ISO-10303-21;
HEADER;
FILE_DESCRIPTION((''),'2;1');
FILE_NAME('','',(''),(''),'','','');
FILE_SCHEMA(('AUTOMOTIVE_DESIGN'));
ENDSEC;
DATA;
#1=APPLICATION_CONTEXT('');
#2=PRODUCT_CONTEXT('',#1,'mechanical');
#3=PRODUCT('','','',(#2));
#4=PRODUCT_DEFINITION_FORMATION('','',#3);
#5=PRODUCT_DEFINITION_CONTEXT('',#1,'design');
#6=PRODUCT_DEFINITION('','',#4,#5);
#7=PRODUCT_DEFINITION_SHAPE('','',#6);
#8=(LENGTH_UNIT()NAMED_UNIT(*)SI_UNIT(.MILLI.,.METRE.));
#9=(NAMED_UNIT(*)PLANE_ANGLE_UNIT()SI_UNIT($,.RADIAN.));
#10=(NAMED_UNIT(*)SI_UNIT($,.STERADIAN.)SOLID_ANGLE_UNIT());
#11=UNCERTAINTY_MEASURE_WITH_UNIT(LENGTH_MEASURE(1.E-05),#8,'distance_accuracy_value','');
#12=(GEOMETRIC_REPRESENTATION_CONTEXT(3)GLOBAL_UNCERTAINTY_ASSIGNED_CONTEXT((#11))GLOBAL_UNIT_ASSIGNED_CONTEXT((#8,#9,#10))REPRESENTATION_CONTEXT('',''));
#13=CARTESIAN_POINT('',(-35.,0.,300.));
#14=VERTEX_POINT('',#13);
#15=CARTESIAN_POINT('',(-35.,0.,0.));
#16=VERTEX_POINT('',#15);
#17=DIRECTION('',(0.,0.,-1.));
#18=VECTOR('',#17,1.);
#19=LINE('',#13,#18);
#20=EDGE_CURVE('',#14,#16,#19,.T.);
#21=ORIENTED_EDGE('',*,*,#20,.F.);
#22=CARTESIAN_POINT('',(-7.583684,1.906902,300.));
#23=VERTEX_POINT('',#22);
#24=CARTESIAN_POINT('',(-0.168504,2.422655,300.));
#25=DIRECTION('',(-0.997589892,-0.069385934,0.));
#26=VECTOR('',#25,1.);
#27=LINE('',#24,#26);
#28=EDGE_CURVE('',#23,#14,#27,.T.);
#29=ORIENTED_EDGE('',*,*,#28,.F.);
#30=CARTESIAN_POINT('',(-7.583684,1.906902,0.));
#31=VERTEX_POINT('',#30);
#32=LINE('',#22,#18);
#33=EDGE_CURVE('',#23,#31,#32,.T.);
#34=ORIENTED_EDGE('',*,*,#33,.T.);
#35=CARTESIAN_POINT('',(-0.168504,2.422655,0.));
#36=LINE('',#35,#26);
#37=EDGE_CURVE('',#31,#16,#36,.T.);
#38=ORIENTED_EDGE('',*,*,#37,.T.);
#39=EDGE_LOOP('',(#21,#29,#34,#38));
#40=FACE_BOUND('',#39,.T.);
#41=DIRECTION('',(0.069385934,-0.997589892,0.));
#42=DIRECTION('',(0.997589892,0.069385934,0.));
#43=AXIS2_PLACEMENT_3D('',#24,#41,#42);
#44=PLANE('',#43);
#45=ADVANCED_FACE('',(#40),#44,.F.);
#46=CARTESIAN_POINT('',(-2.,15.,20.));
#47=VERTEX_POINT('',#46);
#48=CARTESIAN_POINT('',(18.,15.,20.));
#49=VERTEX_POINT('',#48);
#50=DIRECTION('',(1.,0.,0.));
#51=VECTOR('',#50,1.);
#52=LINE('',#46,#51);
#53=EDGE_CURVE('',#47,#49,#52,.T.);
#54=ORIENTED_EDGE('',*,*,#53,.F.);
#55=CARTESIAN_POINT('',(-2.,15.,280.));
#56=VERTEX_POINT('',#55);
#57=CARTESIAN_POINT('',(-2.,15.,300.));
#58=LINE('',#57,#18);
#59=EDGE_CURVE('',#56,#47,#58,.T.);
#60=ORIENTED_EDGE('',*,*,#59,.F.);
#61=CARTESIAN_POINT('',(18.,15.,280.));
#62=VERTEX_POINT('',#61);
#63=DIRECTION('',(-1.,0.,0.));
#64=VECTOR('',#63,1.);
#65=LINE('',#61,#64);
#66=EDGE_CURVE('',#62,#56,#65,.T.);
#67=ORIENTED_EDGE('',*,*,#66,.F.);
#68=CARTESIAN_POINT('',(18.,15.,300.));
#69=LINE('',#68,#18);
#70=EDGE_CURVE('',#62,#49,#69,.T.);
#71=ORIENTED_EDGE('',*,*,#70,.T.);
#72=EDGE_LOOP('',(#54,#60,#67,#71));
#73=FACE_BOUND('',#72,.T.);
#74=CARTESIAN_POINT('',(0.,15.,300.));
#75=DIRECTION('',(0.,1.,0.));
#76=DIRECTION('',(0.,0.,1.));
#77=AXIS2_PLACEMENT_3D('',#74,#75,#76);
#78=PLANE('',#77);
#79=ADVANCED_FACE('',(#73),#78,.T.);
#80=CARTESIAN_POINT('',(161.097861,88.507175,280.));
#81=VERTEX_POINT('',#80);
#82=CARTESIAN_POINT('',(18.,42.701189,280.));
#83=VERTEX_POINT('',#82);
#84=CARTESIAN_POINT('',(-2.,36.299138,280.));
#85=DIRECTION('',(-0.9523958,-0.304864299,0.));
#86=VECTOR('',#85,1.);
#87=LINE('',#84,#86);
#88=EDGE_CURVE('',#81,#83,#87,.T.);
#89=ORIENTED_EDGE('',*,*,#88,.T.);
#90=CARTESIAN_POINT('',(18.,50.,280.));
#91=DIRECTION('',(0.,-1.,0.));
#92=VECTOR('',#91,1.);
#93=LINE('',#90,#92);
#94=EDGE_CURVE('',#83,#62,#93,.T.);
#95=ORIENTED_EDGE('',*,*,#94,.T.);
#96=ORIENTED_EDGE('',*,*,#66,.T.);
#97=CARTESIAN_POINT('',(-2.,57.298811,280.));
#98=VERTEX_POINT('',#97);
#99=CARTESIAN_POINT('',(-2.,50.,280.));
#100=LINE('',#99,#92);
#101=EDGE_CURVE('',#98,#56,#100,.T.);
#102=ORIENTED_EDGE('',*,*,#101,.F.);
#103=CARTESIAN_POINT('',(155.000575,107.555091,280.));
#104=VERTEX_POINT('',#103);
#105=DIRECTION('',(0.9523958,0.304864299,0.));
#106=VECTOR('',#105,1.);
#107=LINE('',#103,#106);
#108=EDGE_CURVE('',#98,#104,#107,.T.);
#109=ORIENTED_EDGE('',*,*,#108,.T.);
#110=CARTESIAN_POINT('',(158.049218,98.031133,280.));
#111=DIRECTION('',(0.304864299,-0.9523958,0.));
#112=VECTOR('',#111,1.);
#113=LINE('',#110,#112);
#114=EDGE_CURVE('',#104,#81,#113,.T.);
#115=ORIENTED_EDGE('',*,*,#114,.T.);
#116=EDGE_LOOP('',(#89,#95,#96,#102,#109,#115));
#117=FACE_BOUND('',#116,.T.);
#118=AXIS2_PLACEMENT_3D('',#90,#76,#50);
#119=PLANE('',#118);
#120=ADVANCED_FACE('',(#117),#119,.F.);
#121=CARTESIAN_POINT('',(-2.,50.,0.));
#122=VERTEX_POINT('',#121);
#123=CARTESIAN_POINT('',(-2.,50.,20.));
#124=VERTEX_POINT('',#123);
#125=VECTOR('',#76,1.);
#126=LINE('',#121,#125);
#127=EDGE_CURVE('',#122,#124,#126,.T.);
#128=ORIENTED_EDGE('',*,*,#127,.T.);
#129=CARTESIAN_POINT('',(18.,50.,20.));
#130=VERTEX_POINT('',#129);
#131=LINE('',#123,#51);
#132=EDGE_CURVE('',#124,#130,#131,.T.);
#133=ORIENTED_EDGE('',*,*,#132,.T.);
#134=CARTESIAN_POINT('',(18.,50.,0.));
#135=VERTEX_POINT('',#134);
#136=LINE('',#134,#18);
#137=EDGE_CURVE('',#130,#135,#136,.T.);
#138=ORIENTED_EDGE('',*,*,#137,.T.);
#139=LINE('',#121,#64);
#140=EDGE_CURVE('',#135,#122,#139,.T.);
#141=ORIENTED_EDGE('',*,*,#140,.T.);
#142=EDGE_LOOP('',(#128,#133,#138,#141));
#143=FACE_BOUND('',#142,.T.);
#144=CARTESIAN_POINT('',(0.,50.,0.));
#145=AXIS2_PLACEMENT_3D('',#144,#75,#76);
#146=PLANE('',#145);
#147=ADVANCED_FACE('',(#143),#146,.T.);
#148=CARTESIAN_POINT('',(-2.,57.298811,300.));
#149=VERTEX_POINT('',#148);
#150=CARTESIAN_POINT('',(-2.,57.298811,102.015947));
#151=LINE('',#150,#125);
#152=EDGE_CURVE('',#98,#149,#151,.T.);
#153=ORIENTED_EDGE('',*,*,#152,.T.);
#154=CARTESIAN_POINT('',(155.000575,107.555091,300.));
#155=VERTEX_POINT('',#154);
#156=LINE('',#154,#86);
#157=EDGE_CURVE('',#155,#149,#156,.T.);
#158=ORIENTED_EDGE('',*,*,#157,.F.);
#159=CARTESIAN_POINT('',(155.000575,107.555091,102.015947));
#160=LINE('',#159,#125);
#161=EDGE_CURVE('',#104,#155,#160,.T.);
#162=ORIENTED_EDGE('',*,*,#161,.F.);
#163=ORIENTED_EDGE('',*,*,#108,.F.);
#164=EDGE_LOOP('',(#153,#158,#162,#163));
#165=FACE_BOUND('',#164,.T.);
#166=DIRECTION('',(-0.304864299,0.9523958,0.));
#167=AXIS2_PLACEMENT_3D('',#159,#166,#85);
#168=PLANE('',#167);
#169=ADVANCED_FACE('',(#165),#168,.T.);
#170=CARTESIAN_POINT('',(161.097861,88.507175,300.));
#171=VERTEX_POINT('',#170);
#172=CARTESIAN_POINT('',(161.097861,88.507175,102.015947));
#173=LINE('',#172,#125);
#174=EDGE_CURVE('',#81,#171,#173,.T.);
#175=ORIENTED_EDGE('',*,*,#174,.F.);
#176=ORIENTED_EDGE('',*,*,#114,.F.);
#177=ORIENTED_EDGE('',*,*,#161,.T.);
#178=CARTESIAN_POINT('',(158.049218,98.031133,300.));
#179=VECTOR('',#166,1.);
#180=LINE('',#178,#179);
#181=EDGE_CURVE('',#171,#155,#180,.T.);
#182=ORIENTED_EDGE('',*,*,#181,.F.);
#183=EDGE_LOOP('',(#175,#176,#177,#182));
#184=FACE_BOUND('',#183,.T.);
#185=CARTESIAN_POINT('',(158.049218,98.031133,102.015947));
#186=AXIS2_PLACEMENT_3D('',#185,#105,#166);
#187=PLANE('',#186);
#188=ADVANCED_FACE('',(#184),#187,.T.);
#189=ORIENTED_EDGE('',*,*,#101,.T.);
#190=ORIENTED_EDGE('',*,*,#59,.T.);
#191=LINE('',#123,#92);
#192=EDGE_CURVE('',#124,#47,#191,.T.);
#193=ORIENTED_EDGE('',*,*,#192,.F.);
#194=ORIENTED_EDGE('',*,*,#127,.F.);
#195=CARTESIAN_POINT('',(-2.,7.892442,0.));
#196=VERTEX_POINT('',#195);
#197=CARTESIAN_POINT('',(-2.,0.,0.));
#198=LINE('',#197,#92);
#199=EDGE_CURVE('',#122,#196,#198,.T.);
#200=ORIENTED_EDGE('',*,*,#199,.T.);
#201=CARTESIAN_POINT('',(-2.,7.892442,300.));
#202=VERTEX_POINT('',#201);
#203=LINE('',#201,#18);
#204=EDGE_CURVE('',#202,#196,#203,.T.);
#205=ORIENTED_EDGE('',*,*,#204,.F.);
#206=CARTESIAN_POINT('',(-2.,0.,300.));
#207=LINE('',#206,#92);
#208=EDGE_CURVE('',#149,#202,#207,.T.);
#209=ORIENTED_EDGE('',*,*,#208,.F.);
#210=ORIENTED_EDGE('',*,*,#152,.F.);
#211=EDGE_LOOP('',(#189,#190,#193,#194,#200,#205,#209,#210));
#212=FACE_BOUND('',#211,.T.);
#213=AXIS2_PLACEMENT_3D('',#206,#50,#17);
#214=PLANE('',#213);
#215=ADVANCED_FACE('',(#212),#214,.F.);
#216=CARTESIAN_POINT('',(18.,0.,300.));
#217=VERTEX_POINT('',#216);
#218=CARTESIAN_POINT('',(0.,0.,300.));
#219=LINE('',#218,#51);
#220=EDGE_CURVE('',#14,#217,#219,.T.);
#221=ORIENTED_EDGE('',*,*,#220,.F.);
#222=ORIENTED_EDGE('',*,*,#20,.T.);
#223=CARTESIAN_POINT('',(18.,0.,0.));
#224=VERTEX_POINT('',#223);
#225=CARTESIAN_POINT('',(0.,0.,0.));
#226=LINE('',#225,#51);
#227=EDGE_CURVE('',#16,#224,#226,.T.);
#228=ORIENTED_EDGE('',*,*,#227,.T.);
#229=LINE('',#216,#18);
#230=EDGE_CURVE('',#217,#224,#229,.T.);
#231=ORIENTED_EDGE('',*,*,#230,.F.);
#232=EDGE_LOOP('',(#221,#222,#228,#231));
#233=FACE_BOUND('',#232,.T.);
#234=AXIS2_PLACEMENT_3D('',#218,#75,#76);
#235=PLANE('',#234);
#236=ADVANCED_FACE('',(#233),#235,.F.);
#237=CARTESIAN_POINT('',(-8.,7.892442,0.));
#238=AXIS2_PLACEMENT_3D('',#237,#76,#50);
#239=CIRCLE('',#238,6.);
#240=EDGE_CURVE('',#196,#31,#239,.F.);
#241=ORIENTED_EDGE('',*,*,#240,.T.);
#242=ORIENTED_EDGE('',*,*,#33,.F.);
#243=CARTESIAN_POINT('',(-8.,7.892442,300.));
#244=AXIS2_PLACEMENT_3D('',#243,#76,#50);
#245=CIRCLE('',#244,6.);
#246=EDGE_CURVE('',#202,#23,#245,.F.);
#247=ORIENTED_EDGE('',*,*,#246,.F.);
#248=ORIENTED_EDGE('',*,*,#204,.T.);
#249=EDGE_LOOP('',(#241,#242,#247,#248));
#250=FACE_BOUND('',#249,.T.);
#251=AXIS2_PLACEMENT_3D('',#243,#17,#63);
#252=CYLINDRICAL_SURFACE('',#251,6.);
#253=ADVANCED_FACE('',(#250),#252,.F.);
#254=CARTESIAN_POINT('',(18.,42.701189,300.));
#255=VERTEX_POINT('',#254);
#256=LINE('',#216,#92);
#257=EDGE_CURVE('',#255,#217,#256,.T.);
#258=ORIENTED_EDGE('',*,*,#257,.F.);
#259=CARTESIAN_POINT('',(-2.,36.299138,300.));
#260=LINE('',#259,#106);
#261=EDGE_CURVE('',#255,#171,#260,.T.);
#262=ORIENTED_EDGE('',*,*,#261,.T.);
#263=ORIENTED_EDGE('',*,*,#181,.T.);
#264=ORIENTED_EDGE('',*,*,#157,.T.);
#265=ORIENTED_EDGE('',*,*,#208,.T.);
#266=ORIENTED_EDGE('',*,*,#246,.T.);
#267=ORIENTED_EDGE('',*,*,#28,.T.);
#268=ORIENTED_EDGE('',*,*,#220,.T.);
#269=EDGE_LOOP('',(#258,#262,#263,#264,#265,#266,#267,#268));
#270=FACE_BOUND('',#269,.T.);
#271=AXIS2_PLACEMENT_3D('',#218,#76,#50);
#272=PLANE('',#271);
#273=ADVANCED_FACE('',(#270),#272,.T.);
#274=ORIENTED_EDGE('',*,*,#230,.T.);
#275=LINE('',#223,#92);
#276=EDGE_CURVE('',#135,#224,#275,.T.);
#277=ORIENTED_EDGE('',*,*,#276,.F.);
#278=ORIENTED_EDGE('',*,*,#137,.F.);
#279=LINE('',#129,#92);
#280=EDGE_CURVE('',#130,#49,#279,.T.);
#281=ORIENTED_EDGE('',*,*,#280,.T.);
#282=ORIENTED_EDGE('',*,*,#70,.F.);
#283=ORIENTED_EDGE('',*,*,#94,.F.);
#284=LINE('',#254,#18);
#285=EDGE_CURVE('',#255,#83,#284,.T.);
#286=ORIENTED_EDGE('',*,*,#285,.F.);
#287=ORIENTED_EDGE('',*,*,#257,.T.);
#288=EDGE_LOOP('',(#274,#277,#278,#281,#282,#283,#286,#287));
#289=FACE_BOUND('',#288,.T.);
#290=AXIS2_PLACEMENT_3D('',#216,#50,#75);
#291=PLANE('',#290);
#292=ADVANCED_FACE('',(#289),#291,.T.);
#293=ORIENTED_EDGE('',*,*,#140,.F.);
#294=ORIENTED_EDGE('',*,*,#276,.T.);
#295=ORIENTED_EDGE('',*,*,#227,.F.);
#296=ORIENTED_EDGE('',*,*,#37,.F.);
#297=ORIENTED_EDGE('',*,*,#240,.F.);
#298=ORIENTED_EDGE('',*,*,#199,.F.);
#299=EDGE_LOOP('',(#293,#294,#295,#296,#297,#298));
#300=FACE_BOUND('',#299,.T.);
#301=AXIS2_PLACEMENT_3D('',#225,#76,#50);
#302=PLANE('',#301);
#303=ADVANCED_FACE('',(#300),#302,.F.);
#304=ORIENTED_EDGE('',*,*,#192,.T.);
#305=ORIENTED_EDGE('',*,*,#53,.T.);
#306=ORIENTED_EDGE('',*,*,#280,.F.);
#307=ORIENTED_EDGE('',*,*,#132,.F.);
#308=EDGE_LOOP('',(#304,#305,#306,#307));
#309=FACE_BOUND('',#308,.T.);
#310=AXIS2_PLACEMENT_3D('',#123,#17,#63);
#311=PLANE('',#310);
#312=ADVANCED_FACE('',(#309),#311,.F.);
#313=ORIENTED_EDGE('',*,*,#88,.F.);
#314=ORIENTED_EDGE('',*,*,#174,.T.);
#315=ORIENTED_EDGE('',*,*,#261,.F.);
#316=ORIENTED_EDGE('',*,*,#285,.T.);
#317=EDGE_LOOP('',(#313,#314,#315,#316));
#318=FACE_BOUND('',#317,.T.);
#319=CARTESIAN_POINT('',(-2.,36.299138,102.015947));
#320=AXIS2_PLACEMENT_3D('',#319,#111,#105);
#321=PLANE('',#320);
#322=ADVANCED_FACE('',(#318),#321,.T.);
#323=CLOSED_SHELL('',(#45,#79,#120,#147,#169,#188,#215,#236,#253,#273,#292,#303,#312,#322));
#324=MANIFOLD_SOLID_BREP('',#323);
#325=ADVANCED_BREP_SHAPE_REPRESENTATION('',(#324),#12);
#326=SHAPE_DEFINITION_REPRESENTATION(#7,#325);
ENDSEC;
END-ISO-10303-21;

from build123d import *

# Parameters (mm, degrees)
BOSS_EXTRU_2_DEPTH = 300
ESQUISSE7_W        = 20
ESQUISSE7_H        = 20
BOSS_EXTRU_5_DEPTH = 35
BOSS_EXTRU_6_DEPTH = 20


with BuildPart() as part:
    # Esquisse2 → Boss.-Extru.2 (new body)
    with BuildSketch(Plane.XY):
        Polygon((18, 15), (18, 0), (0, 0), (0, 5.028017638), (0, 15), align=None)
        with BuildLine():
            Line((-2, 15), (-2, 7.892441846))
            ThreePointArc((-2, 7.892441846), (-3.612637831, 3.799636794), (-7.583684398, 1.906902495))
            Line((-7.583684398, 1.906902495), (-35, 0))
            Line((-35, 0), (0, 0))
            Line((0, 0), (0, 5.028017638))
            Line((0, 5.028017638), (0, 15))
            Line((0, 15), (-2, 15))
        make_face()
    extrude(amount=BOSS_EXTRU_2_DEPTH)

    # Esquisse7 → Boss.-Extru.5 (add)
    with BuildSketch(Plane(origin=(0, 15, 0), x_dir=(1, 0, 0), z_dir=(0, 1, 0))):
        with Locations((8, -10)):
            Rectangle(ESQUISSE7_W, ESQUISSE7_H)
        with Locations((8, -290)):
            Rectangle(ESQUISSE7_W, ESQUISSE7_H)
    extrude(amount=BOSS_EXTRU_5_DEPTH)

    # Esquisse8 → Boss.-Extru.6 (add)
    with BuildSketch(Plane.XY.offset(300)):
        Polygon((158.049218198, 98.031133425), (155.000575208, 107.555091421), (-2, 57.298811074), (-2, 36.299138452), (161.097861189, 88.507175428), align=None)
    extrude(amount=-BOSS_EXTRU_6_DEPTH)


solid = part.part
